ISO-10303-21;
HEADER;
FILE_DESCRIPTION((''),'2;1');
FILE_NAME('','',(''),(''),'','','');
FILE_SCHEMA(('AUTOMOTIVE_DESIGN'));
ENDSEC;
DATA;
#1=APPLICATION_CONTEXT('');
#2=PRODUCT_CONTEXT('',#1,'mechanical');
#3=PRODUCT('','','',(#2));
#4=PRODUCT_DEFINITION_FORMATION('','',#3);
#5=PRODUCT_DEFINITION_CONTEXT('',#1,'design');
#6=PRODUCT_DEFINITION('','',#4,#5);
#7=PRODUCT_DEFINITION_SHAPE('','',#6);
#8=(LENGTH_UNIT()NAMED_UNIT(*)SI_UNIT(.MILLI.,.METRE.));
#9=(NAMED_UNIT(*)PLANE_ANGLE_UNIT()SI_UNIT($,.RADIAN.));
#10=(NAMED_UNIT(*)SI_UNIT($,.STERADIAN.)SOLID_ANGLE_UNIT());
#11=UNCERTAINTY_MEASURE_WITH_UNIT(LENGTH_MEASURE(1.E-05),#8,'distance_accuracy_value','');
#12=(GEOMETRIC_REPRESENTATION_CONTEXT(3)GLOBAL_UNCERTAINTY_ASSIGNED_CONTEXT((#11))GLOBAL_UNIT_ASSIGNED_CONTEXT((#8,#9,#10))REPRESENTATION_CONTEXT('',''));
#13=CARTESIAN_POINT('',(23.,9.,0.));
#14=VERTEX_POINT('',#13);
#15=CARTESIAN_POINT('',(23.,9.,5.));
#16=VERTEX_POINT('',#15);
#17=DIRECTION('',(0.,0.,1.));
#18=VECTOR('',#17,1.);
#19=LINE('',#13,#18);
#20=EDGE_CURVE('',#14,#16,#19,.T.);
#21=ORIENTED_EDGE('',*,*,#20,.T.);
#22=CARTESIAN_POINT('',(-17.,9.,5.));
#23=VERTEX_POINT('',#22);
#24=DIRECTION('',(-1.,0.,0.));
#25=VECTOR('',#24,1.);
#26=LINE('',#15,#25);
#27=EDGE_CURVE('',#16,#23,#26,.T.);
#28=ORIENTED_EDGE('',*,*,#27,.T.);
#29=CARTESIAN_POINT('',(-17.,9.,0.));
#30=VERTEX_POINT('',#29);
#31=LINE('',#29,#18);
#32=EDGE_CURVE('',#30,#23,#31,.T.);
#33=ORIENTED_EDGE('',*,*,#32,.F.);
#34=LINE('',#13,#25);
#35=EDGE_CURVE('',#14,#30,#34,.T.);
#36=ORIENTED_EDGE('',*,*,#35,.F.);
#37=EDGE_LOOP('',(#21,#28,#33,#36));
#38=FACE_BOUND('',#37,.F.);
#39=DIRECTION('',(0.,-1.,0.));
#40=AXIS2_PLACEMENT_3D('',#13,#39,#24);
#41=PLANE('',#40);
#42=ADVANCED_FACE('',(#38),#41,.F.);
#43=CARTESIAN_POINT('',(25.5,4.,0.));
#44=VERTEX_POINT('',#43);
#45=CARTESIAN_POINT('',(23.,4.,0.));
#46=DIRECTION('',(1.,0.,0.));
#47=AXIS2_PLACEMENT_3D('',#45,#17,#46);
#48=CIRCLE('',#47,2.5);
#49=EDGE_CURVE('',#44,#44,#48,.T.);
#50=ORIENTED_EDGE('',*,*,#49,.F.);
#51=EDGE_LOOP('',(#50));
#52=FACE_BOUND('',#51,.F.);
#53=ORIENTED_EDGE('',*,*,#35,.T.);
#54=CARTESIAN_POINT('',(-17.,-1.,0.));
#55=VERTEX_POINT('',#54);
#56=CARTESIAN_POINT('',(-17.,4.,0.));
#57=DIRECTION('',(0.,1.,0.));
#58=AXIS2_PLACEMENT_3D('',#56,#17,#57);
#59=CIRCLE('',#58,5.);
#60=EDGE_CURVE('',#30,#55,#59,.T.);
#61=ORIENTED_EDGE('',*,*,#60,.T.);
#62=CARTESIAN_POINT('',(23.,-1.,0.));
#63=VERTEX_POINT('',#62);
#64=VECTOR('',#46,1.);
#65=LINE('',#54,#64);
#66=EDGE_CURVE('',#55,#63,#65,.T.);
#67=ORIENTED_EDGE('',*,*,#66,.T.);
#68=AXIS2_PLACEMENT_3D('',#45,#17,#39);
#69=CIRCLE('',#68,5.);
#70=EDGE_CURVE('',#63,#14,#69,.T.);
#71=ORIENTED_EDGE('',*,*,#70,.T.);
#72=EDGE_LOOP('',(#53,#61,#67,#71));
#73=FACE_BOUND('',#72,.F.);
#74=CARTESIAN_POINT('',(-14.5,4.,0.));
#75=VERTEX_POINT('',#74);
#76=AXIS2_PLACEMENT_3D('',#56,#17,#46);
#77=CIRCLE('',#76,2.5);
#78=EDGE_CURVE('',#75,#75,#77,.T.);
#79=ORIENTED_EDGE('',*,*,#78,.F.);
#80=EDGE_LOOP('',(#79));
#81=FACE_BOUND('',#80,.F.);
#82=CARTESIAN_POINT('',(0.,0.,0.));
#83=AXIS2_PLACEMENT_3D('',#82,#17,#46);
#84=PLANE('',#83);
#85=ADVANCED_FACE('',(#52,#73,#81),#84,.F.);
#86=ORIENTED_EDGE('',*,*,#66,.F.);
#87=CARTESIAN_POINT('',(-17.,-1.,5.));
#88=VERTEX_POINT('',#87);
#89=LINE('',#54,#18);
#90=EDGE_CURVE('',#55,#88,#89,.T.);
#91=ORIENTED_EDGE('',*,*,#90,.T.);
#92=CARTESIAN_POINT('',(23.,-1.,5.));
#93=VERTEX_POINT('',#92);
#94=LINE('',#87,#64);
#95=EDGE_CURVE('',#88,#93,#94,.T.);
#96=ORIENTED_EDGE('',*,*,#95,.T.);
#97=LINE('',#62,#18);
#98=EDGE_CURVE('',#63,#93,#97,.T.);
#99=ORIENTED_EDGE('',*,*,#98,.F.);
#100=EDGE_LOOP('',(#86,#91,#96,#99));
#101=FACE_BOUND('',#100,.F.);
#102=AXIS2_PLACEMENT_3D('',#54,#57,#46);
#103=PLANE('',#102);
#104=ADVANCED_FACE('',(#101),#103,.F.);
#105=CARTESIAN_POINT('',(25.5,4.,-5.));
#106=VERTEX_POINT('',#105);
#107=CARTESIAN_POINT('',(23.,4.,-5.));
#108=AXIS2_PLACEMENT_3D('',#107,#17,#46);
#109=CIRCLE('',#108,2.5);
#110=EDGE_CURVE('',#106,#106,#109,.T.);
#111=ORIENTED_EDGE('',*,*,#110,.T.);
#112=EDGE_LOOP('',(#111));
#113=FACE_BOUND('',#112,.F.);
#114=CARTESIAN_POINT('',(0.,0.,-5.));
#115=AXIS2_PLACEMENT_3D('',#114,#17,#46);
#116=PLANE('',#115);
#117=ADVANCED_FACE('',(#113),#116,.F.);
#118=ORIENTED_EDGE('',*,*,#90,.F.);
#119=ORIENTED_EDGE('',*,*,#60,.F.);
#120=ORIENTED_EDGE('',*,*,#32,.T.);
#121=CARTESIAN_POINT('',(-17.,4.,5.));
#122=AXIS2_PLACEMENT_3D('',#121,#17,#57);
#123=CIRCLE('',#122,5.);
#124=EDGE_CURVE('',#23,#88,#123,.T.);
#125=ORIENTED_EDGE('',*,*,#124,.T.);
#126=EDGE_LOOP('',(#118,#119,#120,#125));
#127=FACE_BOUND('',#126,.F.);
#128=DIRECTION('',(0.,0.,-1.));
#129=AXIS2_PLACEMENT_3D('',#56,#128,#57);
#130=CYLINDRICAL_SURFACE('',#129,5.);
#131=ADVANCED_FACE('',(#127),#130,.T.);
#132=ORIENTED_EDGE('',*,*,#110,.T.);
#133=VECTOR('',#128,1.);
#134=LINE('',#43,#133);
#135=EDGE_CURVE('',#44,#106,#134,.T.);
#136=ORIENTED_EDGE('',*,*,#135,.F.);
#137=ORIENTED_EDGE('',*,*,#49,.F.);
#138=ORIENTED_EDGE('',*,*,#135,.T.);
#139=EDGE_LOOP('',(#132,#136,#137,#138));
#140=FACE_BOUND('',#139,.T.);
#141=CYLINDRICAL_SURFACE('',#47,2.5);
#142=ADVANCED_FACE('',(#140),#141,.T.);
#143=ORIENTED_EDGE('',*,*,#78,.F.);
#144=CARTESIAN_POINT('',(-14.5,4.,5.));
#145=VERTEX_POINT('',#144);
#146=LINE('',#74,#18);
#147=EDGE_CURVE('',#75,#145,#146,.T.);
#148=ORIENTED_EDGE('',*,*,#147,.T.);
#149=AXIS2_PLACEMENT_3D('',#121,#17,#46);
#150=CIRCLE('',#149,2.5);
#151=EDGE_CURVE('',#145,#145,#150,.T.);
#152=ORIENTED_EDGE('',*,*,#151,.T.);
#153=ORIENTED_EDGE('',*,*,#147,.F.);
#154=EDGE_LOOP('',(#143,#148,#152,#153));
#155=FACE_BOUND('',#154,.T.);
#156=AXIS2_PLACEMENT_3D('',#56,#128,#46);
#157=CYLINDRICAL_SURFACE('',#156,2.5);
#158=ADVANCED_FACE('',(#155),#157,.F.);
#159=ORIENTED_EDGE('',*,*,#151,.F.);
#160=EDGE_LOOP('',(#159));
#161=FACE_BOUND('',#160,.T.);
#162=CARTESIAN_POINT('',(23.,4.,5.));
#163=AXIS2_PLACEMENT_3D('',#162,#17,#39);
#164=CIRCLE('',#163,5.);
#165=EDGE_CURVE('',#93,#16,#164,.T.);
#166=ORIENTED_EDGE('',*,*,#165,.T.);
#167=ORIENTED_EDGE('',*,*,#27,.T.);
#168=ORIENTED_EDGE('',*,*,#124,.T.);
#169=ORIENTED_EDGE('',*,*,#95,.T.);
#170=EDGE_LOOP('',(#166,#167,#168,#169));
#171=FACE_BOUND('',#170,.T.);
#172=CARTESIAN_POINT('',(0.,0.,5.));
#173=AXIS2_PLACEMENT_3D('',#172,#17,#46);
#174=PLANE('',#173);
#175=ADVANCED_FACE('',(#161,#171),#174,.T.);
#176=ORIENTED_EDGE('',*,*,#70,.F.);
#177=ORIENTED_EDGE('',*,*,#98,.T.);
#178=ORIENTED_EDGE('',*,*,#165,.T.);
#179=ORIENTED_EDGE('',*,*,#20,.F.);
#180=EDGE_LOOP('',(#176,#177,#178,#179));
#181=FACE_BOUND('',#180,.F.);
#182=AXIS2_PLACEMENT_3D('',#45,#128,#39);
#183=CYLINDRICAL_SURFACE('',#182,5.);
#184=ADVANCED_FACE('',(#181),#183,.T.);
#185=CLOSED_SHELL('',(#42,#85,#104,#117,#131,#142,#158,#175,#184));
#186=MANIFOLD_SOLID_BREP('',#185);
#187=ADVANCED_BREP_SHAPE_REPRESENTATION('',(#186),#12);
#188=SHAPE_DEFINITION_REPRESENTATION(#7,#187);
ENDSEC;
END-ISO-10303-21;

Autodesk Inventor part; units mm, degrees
ref_plane "YZ Plane" through (0, 0, 0) normal (1, 0, 0) x (0, 1, 0)
ref_plane "XZ Plane" through (0, 0, 0) normal (0, 1, 0) x (-1, 0, 0)
ref_plane "XY Plane" through (0, 0, 0) normal (0, 0, 1) x (1, 0, 0)
sketch "Sketch1" plane through (0, 0, 0) normal (0, 0, 1) x (1, 0, 0)
  line L0 (-17, 4) -> (23, 4) construction
  line L1 (-17, -1) -> (23, -1)
  line L2 (23, 9) -> (-17, 9)
  arc A0 (-17, 9) -> (-17, -1) centre (-17, 4) ccw
  arc A1 (23, -1) -> (23, 9) centre (23, 4) ccw
  circle A2 centre (-17, 4) radius 2.5
  circle A3 centre (23, 4) radius 2.5
  point P0 (0, 0)
  point P1 (3, 4)
  dimension "d0" = 40
  dimension "d1" = 10
  dimension "d2" = 5
extrude "Extrusion1" add sketch "Sketch1" along normal blind 5 contours A0 L2 A1 L1 | A3
extrude "Extrusion2" add sketch "Sketch1" against normal blind 5 contours A3
